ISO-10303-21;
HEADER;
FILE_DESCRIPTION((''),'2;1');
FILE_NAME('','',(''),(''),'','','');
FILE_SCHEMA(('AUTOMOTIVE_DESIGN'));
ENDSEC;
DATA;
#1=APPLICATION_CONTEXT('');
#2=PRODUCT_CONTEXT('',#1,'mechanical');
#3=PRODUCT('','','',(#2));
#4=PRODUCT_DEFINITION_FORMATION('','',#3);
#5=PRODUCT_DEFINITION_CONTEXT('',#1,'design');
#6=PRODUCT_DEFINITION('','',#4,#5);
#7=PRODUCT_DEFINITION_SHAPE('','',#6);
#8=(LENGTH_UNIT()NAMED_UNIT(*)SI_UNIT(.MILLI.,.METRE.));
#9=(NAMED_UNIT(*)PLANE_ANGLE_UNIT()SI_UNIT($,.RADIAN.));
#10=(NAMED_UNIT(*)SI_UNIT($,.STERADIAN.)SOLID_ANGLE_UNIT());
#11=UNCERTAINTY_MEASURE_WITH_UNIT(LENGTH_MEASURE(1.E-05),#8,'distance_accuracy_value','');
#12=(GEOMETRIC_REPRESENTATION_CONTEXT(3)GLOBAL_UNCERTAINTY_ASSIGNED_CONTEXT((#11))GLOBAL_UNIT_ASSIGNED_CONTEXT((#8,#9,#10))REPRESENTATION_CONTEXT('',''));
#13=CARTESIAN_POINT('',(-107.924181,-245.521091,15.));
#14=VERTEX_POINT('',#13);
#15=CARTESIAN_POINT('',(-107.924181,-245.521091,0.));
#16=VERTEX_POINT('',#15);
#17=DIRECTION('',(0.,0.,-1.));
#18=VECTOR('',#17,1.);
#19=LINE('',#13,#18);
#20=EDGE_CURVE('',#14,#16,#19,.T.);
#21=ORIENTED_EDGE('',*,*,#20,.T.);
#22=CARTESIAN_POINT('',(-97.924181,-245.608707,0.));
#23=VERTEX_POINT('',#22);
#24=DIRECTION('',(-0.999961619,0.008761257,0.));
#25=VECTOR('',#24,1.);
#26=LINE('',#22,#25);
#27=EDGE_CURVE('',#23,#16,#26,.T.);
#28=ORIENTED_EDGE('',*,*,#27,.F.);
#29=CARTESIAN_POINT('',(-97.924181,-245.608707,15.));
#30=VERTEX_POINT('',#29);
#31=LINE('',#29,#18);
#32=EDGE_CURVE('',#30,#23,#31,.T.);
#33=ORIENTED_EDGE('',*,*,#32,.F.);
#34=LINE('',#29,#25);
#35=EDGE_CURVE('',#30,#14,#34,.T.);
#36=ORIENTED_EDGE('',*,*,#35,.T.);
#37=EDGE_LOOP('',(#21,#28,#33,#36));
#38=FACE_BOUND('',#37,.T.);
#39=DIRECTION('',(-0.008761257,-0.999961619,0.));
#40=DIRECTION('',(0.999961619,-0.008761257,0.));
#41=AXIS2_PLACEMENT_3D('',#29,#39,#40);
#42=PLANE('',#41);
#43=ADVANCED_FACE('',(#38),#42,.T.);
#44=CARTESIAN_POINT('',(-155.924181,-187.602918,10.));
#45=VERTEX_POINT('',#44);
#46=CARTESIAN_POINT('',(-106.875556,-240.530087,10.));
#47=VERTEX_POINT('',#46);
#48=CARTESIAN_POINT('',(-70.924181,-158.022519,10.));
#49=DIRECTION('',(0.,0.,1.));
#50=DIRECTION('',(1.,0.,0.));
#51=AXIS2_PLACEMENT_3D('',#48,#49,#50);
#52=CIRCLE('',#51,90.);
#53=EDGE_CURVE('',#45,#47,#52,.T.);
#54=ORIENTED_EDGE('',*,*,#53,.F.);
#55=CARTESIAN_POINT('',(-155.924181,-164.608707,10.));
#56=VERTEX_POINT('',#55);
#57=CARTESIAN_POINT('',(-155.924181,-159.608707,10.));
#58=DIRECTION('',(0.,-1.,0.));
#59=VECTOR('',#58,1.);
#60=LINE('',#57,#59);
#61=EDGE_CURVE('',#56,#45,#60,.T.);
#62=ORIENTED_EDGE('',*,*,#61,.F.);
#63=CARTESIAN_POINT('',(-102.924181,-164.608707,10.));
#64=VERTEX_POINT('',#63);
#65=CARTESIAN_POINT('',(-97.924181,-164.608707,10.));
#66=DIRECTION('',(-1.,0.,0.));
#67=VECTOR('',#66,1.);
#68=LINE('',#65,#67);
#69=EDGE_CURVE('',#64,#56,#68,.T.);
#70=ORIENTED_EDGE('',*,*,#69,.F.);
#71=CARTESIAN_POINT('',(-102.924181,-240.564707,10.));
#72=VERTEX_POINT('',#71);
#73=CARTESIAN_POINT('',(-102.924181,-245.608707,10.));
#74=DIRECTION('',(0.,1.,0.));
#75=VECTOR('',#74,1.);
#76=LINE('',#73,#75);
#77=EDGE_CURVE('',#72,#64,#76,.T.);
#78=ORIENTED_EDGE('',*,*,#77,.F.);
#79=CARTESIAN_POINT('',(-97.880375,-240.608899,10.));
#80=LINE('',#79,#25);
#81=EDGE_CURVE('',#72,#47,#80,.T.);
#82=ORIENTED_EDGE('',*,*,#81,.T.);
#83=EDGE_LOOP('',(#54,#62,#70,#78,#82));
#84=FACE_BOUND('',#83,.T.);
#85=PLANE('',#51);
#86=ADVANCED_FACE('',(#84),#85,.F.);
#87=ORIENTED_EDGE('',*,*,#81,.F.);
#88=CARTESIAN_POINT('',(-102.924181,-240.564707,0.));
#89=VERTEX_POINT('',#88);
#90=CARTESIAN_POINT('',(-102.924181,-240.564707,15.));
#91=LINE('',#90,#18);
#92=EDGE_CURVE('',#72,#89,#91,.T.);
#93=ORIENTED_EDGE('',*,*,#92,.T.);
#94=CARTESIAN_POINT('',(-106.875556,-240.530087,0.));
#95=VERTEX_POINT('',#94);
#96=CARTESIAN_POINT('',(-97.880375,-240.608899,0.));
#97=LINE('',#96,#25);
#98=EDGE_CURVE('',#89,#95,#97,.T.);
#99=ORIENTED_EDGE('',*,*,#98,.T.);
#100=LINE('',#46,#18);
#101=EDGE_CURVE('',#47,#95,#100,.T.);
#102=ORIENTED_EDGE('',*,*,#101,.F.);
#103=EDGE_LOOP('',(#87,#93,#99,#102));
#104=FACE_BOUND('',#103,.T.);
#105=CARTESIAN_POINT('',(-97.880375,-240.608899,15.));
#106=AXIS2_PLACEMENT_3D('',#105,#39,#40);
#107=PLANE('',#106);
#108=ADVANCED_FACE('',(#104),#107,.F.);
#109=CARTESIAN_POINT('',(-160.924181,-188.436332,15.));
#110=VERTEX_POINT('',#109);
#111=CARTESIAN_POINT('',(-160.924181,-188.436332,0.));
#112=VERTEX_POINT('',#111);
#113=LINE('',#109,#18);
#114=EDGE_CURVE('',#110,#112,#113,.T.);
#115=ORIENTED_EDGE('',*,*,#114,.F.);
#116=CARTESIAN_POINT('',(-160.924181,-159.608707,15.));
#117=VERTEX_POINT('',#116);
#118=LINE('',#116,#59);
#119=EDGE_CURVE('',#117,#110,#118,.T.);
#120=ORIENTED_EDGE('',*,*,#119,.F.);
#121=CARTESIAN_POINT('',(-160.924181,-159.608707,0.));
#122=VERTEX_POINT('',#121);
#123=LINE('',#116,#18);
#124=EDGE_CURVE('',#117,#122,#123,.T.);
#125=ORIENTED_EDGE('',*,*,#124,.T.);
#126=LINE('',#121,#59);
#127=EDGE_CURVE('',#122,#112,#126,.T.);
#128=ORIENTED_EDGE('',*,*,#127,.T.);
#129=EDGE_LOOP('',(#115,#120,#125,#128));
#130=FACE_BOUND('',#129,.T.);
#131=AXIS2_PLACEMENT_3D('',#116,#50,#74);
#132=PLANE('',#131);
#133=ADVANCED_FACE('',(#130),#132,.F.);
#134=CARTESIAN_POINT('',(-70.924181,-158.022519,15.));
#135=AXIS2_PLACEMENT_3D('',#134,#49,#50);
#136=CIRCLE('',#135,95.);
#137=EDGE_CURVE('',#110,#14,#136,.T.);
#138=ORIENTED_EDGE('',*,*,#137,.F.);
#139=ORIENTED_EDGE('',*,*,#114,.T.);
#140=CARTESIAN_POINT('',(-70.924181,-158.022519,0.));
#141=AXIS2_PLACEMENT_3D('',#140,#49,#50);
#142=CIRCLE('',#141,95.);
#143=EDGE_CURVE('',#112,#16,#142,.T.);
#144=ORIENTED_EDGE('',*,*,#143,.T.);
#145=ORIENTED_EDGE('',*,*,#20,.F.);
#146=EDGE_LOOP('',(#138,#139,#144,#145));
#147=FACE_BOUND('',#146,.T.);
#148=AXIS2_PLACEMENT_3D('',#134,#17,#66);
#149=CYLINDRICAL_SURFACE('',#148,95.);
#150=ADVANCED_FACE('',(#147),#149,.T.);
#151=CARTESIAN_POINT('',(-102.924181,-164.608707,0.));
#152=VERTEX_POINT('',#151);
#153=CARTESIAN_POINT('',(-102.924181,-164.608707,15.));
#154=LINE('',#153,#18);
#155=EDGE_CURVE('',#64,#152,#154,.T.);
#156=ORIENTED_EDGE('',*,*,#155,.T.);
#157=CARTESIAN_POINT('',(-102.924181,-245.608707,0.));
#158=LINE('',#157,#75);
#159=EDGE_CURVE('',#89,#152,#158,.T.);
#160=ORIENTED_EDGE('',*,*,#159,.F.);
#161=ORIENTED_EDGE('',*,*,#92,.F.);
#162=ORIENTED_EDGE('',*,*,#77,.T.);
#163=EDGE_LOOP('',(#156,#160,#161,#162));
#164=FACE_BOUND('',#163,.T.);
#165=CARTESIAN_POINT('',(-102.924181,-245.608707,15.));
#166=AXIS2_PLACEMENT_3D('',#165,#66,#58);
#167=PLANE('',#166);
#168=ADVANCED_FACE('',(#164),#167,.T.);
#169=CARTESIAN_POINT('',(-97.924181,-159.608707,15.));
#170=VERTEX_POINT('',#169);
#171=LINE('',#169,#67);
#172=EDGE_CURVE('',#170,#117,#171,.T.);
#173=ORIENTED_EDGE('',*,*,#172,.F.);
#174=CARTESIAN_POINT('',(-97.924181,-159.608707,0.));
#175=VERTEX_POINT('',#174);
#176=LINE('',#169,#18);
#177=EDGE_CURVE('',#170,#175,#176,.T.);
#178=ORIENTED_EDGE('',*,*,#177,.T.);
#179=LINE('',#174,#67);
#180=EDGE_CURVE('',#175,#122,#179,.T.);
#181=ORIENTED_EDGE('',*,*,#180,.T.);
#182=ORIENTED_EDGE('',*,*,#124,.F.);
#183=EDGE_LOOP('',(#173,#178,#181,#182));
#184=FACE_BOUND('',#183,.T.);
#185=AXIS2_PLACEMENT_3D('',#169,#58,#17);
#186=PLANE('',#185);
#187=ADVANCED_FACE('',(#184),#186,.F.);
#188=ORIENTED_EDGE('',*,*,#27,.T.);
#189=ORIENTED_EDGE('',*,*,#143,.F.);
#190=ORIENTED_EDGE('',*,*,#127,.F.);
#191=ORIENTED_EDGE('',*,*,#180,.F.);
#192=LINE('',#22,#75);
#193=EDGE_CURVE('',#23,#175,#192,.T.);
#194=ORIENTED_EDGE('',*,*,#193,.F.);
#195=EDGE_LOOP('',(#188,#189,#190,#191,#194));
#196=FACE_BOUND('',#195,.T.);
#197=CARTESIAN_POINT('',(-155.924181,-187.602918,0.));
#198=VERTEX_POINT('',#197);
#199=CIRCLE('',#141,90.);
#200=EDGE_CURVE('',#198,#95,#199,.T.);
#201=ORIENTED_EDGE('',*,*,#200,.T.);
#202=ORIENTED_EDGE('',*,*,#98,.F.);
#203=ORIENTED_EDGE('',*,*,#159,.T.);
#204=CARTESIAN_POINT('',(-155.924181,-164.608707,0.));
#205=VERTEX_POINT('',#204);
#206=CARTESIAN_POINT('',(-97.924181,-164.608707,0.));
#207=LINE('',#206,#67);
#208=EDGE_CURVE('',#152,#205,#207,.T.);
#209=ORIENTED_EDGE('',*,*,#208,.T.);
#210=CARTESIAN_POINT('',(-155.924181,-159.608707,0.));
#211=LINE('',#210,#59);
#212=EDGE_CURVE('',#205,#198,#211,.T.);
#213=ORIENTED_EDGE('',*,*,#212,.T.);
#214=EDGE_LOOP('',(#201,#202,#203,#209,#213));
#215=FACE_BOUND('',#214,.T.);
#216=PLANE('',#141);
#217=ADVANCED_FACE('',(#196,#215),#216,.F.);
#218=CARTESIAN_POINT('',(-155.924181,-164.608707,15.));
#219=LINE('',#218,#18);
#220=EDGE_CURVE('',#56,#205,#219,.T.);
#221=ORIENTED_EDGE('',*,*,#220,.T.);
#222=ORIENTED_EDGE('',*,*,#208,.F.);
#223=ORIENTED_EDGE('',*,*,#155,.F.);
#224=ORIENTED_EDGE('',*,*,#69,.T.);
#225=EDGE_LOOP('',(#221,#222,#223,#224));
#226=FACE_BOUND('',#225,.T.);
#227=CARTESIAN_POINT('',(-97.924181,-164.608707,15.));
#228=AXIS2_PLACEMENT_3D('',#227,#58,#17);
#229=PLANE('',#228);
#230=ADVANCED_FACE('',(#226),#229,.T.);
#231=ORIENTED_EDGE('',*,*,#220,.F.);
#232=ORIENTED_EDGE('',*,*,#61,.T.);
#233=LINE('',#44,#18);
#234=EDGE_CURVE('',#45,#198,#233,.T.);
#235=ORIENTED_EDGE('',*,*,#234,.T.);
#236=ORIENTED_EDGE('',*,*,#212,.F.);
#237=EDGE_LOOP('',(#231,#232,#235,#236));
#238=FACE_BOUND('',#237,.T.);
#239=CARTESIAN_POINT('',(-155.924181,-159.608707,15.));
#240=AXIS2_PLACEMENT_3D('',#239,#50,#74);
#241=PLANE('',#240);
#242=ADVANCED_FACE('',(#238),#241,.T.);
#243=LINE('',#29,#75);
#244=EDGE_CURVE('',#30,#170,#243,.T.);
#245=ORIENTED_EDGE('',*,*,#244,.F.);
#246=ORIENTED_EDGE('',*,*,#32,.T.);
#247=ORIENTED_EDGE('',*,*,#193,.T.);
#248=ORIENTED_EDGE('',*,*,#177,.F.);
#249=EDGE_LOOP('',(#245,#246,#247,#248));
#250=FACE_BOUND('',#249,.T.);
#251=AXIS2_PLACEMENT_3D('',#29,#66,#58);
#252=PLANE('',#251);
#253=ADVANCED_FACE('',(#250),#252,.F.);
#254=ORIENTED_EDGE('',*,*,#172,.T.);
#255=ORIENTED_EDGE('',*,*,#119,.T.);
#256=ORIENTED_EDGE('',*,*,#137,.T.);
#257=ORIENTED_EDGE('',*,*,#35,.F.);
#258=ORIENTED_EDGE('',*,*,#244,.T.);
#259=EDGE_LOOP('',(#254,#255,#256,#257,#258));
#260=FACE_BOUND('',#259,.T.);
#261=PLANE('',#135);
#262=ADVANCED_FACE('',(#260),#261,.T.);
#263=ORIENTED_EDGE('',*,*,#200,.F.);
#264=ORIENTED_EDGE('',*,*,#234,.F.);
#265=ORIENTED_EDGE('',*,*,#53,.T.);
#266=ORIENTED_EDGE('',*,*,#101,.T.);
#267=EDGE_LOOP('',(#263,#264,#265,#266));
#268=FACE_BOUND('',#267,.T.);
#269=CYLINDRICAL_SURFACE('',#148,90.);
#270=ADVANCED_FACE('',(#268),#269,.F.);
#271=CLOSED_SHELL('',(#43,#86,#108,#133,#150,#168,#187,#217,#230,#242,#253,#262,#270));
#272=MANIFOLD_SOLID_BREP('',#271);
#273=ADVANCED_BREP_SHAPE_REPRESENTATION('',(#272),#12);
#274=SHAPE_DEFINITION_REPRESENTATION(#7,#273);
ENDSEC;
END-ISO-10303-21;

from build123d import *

# Parameters (mm, degrees)
BOSS_EXTRUDE1_DEPTH = 15
SHELL1_T            = -5


with BuildPart() as part:
    # Sketch1 → Boss-Extrude1 (new body)
    with BuildSketch(Plane.XY):
        with BuildLine():
            Line((-97.924180929, -245.60870674), (-107.924180929, -245.521090808))
            ThreePointArc((-107.924180929, -245.521090808), (-140.543987168, -222.66060862), (-160.924180929, -188.436332043))
            Line((-160.924180929, -188.436332043), (-160.924180929, -159.60870674))
            Line((-160.924180929, -159.60870674), (-97.924180929, -159.60870674))
            Line((-97.924180929, -159.60870674), (-97.924180929, -245.60870674))
        make_face()
    extrude(amount=BOSS_EXTRUDE1_DEPTH)

    # Shell1
    shell1_openings = [part.faces().sort_by_distance(p)[0] for p in [
        (-125.349491383, -195.90901573, 0),
    ]]
    offset(amount=SHELL1_T, openings=shell1_openings, kind=Kind.INTERSECTION)


solid = part.part
